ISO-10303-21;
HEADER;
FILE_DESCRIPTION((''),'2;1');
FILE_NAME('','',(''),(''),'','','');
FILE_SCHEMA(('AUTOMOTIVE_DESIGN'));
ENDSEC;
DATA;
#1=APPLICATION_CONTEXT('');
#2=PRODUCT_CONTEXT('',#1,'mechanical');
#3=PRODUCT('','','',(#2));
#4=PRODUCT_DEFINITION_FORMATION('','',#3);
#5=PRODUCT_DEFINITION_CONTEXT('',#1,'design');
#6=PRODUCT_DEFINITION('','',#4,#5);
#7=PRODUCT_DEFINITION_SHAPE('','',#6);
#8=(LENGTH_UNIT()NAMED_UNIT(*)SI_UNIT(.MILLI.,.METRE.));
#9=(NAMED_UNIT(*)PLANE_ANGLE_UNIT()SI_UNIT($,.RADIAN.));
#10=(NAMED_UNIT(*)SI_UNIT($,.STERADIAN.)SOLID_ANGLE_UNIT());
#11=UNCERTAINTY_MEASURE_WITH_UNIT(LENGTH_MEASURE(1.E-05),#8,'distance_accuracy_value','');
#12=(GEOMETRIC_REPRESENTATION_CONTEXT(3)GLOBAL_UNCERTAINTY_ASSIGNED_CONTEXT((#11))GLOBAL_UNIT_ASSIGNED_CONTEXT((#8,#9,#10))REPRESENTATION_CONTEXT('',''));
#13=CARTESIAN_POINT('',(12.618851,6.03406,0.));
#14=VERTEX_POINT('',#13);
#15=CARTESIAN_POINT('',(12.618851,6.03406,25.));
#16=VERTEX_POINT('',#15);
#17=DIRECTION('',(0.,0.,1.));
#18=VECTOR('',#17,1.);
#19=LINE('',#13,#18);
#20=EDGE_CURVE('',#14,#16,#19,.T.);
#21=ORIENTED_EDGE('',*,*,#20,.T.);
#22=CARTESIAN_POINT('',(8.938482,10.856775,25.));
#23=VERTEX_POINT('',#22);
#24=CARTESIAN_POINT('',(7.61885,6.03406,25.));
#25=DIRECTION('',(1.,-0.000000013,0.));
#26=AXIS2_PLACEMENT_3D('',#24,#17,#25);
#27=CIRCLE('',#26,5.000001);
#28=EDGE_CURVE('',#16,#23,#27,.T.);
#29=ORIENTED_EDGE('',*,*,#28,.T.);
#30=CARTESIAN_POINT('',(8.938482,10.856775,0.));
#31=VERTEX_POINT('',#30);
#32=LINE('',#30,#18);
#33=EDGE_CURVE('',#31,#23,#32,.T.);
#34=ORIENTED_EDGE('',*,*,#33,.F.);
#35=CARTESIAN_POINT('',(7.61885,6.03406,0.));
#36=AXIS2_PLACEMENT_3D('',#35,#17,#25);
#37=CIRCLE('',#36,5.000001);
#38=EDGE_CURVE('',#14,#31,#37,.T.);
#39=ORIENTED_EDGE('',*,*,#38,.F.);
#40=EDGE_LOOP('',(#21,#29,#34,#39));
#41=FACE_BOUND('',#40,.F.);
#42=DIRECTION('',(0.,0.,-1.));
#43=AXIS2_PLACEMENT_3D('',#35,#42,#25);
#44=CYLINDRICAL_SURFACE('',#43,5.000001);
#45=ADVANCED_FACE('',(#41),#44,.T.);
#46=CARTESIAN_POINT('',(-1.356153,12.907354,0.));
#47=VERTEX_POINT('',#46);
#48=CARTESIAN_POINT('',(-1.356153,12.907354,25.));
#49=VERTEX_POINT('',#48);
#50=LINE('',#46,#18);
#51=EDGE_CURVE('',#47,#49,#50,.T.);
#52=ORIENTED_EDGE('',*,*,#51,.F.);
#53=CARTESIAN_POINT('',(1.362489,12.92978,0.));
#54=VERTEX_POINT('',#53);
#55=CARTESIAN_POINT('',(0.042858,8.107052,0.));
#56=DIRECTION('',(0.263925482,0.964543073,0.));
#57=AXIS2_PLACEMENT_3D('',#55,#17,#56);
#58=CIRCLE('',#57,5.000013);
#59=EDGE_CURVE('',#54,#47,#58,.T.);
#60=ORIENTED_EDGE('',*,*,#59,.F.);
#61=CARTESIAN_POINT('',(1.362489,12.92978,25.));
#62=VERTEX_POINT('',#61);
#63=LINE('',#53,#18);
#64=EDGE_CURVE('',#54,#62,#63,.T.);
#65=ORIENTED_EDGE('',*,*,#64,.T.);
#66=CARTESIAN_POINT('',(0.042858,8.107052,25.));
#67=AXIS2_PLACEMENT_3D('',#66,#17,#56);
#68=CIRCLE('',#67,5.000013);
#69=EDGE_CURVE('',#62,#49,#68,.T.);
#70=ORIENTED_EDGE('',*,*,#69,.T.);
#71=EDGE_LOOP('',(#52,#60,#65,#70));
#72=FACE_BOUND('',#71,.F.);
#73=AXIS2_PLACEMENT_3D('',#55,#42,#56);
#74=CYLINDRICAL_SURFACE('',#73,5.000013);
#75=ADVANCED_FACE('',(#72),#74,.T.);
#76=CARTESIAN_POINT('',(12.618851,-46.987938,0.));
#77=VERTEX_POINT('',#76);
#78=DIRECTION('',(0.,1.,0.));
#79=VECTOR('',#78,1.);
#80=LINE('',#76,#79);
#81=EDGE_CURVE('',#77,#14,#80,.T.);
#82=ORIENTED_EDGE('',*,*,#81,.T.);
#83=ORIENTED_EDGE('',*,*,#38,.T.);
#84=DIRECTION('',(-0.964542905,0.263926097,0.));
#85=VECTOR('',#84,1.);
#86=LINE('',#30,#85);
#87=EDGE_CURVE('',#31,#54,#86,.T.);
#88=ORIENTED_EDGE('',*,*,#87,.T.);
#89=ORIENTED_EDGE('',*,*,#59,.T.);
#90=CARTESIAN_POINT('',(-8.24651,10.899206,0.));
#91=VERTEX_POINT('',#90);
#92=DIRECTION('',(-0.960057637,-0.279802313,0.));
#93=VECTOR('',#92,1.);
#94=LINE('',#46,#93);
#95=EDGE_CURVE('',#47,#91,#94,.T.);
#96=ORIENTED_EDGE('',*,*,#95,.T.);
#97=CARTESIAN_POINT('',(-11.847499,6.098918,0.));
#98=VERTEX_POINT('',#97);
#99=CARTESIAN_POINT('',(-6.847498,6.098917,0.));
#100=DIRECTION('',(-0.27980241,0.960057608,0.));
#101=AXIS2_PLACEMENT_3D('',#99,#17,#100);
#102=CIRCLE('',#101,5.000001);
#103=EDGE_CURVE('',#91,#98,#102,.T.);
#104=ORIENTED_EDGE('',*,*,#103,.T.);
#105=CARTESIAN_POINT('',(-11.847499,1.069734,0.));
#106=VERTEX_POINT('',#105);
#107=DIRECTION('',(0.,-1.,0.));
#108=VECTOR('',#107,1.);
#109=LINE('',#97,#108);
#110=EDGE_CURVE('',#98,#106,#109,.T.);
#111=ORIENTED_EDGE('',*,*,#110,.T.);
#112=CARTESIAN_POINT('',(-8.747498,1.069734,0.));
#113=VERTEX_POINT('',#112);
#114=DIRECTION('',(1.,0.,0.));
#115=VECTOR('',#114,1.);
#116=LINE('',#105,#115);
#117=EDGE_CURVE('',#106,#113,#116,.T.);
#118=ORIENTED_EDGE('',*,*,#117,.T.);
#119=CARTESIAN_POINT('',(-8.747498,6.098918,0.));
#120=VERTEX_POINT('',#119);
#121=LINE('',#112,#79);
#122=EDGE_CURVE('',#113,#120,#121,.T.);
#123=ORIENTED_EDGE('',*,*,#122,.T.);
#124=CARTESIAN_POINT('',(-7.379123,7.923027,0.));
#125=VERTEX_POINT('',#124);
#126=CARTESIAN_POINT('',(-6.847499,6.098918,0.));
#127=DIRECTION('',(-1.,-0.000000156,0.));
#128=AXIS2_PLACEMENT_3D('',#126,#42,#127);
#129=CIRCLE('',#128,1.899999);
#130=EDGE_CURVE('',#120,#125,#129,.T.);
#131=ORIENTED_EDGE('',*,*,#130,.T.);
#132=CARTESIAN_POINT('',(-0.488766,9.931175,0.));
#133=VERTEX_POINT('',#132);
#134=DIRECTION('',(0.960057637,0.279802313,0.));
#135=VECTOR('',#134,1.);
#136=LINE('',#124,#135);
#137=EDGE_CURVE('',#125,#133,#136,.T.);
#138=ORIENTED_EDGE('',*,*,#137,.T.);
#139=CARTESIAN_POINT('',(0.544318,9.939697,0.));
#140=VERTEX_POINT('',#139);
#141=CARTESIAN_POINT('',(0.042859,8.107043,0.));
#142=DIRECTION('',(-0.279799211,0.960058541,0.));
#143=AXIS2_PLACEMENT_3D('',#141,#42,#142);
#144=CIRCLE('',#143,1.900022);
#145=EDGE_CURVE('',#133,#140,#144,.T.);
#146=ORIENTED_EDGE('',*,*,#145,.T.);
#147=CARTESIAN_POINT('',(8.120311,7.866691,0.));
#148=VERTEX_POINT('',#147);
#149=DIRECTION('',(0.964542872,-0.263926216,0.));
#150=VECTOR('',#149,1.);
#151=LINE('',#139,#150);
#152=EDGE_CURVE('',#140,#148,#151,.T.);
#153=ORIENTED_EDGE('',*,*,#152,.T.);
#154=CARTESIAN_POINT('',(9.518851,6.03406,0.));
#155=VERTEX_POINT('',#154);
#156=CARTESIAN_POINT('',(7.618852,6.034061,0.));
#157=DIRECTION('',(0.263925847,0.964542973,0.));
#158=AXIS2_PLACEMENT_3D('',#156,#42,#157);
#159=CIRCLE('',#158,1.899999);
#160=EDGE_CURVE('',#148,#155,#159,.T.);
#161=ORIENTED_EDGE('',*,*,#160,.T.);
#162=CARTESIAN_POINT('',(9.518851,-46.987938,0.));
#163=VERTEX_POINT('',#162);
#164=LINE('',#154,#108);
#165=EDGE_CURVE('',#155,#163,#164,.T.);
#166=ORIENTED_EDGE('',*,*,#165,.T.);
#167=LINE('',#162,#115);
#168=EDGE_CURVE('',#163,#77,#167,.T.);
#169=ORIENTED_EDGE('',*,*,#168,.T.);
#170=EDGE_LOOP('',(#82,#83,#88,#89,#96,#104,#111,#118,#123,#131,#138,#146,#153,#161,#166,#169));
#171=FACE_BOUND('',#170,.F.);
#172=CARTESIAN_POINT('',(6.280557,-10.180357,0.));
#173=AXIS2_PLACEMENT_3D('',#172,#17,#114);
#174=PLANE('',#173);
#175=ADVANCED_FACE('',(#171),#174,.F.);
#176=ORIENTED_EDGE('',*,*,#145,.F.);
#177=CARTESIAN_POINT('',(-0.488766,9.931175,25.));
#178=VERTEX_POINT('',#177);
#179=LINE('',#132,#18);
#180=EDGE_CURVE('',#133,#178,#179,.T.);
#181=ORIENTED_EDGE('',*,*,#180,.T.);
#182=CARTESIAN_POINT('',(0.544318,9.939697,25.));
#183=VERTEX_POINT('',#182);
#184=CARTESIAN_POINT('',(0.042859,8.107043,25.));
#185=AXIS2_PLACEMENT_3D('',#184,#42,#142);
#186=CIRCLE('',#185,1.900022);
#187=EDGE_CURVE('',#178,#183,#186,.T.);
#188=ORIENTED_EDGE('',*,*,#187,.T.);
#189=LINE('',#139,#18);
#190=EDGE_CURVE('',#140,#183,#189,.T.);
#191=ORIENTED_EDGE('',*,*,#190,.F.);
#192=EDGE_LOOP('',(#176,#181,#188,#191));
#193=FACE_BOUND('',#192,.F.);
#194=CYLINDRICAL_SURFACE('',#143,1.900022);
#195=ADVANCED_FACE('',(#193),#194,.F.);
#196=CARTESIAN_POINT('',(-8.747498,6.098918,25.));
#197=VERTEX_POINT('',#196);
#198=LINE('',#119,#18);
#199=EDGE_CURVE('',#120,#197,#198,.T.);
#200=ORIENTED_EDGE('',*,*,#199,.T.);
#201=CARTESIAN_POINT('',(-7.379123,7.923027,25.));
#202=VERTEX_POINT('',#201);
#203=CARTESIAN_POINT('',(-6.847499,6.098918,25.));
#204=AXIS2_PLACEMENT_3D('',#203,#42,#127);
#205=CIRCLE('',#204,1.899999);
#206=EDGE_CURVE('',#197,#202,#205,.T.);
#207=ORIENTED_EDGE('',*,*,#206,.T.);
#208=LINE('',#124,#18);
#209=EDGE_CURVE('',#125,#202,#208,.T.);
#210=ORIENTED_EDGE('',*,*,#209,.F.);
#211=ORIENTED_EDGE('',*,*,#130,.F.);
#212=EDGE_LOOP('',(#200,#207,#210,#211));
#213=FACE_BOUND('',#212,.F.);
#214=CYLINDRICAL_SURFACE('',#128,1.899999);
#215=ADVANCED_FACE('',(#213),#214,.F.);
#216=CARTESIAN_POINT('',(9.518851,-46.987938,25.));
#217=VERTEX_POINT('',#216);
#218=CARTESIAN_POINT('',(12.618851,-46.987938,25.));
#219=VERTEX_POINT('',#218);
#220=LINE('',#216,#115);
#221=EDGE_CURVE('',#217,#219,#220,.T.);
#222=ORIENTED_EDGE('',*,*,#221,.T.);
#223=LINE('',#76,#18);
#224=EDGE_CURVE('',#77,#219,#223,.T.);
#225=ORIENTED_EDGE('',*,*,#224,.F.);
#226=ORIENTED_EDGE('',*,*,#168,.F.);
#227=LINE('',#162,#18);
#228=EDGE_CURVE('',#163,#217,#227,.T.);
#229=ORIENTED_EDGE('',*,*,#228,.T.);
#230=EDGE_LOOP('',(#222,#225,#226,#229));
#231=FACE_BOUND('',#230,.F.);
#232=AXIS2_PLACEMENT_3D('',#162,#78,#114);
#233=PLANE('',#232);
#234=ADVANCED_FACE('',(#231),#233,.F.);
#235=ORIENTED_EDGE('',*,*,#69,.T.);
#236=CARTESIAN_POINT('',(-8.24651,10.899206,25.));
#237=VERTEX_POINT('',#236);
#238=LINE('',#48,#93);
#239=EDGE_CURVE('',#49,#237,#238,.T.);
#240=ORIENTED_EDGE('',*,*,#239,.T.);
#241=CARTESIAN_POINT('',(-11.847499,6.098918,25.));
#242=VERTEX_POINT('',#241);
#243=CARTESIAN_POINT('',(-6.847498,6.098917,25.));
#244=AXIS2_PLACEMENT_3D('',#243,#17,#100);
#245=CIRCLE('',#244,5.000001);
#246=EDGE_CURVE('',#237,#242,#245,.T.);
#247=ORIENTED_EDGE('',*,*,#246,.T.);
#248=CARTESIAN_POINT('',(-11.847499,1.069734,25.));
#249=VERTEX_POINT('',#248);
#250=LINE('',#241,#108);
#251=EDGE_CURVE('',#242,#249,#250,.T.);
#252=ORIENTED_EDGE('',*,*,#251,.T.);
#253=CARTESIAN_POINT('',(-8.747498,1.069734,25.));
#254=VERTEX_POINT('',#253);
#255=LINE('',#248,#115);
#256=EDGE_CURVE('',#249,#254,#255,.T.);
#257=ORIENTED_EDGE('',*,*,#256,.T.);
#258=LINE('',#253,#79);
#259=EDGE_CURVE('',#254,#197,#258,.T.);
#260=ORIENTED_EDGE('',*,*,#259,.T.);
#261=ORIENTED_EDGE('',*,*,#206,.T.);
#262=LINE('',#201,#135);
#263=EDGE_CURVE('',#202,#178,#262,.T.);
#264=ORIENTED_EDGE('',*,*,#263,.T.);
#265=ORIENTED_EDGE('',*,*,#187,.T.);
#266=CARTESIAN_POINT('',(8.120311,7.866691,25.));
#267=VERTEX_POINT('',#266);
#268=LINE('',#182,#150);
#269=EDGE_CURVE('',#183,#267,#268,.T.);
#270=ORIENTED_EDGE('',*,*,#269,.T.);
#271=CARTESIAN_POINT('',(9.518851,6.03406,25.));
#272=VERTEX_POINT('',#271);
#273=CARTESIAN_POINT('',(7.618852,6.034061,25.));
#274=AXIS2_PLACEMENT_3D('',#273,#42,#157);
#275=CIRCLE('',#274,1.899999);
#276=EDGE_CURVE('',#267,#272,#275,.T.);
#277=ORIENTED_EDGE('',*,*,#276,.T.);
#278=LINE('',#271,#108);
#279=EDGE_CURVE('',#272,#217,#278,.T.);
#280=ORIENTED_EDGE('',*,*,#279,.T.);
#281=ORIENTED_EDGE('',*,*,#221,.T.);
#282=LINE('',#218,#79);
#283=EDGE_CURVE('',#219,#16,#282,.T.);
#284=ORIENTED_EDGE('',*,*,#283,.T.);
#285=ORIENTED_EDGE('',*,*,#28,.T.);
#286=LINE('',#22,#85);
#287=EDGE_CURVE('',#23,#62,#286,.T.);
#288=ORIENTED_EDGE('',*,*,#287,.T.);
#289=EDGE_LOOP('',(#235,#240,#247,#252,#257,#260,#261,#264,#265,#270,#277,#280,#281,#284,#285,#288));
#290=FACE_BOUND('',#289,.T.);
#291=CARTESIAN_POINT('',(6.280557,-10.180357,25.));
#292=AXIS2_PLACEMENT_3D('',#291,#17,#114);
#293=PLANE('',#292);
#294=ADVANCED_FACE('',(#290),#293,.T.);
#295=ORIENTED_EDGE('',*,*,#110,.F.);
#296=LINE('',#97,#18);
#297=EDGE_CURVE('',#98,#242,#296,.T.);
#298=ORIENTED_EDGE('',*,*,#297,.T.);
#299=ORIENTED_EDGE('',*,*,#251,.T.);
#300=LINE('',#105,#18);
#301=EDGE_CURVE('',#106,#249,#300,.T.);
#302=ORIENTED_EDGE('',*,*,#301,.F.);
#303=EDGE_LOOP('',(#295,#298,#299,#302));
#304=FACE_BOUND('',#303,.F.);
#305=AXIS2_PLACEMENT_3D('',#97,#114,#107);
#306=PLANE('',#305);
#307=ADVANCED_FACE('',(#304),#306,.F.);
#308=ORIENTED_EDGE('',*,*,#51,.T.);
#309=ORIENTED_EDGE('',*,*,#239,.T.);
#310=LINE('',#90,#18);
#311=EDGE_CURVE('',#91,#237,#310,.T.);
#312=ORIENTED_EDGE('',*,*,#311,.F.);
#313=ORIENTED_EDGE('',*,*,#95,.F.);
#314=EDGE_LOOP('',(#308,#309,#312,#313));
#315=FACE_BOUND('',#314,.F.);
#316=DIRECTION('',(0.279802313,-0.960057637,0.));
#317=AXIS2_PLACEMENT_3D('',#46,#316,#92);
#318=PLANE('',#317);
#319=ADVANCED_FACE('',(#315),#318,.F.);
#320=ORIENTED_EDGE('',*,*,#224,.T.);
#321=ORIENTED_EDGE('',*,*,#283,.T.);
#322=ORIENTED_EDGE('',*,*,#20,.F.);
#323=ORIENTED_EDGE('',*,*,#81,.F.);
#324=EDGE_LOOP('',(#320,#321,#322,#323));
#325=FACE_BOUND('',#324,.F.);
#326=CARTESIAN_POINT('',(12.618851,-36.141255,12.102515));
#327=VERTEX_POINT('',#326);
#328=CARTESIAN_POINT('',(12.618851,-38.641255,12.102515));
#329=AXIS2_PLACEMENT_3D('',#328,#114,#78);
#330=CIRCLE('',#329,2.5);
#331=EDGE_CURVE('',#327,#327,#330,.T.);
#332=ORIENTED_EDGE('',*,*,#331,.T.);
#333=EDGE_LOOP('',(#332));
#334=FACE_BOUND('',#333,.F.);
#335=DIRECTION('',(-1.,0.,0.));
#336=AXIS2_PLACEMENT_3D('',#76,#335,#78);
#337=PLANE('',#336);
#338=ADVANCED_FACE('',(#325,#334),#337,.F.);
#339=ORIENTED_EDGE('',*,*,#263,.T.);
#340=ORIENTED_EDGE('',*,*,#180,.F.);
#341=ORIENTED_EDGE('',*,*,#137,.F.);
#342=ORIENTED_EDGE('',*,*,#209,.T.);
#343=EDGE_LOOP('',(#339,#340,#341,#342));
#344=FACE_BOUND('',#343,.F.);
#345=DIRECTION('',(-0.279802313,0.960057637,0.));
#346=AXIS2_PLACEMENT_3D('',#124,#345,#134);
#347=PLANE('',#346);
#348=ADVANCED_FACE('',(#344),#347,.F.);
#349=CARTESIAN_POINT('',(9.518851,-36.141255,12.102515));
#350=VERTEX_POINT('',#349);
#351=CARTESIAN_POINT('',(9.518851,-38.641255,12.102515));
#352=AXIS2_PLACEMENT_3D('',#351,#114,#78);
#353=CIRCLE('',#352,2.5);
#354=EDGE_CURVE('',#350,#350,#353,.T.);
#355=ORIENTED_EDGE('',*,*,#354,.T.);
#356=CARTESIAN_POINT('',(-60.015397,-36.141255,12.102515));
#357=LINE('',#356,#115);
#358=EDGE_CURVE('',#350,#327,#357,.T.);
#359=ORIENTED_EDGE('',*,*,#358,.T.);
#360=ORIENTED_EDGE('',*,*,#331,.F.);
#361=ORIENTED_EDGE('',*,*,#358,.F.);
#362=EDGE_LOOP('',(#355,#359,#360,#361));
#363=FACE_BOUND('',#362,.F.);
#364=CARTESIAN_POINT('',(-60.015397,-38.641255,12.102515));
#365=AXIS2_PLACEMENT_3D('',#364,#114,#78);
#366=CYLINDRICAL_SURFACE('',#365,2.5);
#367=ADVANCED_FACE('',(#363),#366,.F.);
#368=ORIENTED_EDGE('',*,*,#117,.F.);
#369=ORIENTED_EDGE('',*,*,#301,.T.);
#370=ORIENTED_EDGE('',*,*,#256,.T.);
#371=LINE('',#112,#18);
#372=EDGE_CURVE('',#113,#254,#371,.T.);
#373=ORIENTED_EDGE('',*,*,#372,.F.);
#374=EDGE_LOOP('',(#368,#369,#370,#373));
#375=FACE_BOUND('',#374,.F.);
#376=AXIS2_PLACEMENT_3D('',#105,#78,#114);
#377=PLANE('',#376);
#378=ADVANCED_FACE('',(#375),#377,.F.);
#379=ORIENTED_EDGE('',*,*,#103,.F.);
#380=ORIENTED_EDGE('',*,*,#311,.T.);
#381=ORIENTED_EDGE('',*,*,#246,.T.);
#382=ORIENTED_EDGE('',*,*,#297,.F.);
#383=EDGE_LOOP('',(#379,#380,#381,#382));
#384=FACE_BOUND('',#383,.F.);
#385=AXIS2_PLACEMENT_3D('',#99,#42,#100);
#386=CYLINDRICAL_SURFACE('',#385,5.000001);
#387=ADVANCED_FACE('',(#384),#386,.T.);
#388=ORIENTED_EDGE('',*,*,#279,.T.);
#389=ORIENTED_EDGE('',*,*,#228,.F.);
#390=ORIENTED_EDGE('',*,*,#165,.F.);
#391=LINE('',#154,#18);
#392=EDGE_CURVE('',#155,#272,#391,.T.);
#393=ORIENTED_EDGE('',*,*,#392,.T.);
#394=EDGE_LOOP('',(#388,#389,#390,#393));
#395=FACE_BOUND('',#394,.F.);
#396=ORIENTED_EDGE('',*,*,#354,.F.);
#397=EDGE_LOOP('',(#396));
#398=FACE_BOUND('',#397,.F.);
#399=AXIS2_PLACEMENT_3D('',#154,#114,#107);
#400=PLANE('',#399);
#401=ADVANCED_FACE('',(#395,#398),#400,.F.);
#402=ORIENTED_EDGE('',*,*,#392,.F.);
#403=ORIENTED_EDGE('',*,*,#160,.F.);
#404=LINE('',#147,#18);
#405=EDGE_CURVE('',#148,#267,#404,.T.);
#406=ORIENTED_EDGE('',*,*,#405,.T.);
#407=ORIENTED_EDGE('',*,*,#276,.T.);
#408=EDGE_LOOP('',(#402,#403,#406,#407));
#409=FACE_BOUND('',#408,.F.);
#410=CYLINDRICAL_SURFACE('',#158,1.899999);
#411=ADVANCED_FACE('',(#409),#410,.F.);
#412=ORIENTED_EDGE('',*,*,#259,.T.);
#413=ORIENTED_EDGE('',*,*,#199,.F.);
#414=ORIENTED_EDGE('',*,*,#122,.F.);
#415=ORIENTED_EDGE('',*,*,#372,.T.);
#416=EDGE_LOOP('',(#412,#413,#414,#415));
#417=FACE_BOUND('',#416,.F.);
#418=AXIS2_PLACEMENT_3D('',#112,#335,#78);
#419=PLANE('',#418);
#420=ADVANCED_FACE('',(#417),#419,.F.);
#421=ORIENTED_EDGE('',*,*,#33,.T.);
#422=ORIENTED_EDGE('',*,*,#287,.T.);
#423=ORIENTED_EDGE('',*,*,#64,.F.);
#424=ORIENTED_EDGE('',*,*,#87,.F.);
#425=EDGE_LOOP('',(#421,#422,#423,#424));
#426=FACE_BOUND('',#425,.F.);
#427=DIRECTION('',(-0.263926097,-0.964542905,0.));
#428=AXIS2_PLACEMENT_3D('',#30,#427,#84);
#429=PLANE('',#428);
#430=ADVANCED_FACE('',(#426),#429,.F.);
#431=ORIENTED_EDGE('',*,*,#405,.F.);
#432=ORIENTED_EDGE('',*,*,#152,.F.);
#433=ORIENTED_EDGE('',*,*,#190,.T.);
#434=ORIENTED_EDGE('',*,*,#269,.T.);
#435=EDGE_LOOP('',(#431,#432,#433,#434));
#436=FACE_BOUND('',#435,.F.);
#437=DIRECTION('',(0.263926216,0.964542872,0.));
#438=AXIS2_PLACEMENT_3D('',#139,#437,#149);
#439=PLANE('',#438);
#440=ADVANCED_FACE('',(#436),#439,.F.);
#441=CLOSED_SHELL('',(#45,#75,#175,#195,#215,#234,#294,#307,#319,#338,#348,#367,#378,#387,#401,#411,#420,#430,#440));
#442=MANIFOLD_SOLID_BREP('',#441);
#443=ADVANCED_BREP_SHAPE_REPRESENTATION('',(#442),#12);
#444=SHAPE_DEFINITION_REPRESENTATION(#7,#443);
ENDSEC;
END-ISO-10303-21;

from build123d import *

# Parameters (mm, degrees)
F1_DEPTH = 25
F3_D     = 5


with BuildPart() as f1:
    # F0 (on Top) → F1 (new body)
    with BuildSketch(Plane.XY):
        with BuildLine():
            Line((-11.847499, 6.098918), (-11.847499, 1.069734))
            Line((-11.847499, 1.069734), (-8.747498, 1.069734))
            Line((-8.747498, 1.069734), (-8.747498, 6.098918))
            ThreePointArc((-8.747498, 6.098918), (-8.367381, 7.239074), (-7.379123, 7.923027))
            Line((-7.379123, 7.923027), (-0.488766, 9.931175))
            ThreePointArc((-0.488766, 9.931175), (0.027186, 10.007), (0.544318, 9.939697))
            Line((0.544318, 9.939697), (8.120311, 7.866691))
            ThreePointArc((8.120311, 7.866691), (9.129277, 7.186715), (9.518851, 6.03406))
            Line((9.518851, 6.03406), (9.518851, -46.987938))
            Line((9.518851, -46.987938), (12.618851, -46.987938))
            Line((12.618851, -46.987938), (12.618851, 6.03406))
            ThreePointArc((12.618851, 6.03406), (11.593656, 9.067363), (8.938482, 10.856775))
            Line((8.938482, 10.856775), (1.362489, 12.92978))
            ThreePointArc((1.362489, 12.92978), (0.001614, 13.106895), (-1.356153, 12.907354))
            Line((-1.356153, 12.907354), (-8.24651, 10.899206))
            ThreePointArc((-8.24651, 10.899206), (-10.84719, 9.099329), (-11.847499, 6.098918))
        make_face()
    extrude(amount=F1_DEPTH)

    # F3 (through all)
    with Locations(Plane(origin=(9.518851, 0, 0), x_dir=(0, -1, 0), z_dir=(-1, 0, 0))):
        with Locations((38.641255, 12.102515)):
            Hole(F3_D / 2)


solid = f1.part
